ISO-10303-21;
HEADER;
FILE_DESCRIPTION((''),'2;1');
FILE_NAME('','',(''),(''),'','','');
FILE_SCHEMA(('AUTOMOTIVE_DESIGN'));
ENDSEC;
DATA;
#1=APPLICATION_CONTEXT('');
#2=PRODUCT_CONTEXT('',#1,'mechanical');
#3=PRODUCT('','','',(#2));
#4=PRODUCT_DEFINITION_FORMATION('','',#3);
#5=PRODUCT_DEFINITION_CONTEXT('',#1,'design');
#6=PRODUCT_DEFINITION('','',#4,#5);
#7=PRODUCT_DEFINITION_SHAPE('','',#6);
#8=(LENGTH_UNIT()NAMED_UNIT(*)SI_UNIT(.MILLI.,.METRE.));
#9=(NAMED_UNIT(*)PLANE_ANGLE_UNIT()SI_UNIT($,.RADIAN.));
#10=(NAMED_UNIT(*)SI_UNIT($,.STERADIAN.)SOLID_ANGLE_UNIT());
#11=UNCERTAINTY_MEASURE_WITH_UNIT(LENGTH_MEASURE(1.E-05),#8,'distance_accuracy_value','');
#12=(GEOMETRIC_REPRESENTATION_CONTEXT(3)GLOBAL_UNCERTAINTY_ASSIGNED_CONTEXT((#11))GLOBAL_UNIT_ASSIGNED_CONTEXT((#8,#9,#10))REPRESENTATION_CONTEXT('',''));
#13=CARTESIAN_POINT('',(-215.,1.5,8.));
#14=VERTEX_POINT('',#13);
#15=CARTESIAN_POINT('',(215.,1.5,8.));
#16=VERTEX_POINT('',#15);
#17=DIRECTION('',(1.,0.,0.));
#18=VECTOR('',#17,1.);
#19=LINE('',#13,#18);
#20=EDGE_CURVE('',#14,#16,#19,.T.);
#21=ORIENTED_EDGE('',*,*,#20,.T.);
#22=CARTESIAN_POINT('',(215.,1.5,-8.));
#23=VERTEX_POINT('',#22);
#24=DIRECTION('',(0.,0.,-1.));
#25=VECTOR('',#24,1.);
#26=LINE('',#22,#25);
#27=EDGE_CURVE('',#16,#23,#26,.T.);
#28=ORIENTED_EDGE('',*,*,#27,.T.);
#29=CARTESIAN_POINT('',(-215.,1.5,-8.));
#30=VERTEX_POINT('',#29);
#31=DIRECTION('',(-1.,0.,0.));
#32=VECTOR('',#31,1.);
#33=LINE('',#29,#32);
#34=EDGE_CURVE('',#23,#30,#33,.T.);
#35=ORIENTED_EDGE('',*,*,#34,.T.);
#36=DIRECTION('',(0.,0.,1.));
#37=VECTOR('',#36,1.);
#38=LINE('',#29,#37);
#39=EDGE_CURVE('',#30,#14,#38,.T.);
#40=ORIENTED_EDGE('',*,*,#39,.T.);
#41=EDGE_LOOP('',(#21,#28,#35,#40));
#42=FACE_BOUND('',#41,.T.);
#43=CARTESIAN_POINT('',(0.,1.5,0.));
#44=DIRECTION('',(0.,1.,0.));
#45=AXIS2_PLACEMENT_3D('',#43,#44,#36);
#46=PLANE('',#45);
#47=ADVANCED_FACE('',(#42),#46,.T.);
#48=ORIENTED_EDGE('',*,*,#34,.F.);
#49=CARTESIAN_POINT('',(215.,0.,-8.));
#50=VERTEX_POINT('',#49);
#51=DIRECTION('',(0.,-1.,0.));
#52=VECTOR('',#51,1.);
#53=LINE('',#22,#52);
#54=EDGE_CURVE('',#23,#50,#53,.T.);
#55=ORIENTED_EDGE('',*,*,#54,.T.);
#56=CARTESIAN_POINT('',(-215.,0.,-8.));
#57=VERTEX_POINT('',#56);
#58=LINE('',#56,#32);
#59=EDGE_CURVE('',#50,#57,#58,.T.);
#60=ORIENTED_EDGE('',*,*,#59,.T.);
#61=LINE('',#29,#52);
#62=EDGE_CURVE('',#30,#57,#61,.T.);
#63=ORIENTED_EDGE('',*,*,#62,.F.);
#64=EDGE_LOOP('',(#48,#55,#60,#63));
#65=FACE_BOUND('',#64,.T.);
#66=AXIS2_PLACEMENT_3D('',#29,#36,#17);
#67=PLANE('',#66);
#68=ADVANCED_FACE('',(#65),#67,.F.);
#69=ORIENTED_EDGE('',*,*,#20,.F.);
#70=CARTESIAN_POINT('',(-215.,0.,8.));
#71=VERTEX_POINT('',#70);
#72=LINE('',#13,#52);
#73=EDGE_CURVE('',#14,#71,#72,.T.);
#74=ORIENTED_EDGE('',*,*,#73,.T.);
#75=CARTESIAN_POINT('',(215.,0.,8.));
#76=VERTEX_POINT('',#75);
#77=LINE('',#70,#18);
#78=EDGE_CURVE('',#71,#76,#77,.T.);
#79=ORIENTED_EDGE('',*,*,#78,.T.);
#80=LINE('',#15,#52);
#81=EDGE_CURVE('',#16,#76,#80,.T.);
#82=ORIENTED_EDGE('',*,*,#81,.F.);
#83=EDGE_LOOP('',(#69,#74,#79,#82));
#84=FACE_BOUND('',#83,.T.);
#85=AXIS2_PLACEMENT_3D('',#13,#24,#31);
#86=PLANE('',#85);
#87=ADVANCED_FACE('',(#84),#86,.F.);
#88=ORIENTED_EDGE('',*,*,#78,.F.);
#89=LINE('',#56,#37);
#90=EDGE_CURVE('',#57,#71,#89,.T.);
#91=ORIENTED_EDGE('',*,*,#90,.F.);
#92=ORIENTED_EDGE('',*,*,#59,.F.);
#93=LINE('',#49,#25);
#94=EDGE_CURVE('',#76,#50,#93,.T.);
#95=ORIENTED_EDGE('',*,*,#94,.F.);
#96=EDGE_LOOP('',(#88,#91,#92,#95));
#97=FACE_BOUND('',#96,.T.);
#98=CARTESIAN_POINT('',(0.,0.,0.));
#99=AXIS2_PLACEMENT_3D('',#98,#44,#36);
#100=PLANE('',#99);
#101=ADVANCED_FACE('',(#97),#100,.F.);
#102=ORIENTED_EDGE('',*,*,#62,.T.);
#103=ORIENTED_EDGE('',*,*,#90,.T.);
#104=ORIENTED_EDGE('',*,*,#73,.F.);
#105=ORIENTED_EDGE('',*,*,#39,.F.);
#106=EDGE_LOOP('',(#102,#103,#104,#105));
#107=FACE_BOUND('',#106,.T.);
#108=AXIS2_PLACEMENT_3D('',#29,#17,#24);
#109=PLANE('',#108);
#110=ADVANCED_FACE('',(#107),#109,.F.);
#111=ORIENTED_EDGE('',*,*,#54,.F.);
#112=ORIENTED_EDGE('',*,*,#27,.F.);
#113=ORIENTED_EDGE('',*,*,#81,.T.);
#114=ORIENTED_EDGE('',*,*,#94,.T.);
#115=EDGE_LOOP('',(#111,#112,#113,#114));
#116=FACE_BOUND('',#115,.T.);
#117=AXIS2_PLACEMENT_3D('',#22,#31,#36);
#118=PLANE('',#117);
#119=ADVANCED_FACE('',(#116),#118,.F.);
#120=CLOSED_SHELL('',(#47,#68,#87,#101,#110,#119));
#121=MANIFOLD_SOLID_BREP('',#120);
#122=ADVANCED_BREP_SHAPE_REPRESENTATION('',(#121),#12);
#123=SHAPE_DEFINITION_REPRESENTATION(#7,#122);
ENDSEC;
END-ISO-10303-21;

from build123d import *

# Parameters (mm, degrees)
SKETCH1_W           = 430
SKETCH1_H           = 16
BOSS_EXTRUDE1_DEPTH = 1.5


with BuildPart() as part:
    # Sketch1 → Boss-Extrude1 (new body)
    with BuildSketch(Plane(origin=(0, 0, 0), x_dir=(1, 0, 0), z_dir=(0, 1, 0))):
        Rectangle(SKETCH1_W, SKETCH1_H)
    extrude(amount=BOSS_EXTRUDE1_DEPTH)


solid = part.part
